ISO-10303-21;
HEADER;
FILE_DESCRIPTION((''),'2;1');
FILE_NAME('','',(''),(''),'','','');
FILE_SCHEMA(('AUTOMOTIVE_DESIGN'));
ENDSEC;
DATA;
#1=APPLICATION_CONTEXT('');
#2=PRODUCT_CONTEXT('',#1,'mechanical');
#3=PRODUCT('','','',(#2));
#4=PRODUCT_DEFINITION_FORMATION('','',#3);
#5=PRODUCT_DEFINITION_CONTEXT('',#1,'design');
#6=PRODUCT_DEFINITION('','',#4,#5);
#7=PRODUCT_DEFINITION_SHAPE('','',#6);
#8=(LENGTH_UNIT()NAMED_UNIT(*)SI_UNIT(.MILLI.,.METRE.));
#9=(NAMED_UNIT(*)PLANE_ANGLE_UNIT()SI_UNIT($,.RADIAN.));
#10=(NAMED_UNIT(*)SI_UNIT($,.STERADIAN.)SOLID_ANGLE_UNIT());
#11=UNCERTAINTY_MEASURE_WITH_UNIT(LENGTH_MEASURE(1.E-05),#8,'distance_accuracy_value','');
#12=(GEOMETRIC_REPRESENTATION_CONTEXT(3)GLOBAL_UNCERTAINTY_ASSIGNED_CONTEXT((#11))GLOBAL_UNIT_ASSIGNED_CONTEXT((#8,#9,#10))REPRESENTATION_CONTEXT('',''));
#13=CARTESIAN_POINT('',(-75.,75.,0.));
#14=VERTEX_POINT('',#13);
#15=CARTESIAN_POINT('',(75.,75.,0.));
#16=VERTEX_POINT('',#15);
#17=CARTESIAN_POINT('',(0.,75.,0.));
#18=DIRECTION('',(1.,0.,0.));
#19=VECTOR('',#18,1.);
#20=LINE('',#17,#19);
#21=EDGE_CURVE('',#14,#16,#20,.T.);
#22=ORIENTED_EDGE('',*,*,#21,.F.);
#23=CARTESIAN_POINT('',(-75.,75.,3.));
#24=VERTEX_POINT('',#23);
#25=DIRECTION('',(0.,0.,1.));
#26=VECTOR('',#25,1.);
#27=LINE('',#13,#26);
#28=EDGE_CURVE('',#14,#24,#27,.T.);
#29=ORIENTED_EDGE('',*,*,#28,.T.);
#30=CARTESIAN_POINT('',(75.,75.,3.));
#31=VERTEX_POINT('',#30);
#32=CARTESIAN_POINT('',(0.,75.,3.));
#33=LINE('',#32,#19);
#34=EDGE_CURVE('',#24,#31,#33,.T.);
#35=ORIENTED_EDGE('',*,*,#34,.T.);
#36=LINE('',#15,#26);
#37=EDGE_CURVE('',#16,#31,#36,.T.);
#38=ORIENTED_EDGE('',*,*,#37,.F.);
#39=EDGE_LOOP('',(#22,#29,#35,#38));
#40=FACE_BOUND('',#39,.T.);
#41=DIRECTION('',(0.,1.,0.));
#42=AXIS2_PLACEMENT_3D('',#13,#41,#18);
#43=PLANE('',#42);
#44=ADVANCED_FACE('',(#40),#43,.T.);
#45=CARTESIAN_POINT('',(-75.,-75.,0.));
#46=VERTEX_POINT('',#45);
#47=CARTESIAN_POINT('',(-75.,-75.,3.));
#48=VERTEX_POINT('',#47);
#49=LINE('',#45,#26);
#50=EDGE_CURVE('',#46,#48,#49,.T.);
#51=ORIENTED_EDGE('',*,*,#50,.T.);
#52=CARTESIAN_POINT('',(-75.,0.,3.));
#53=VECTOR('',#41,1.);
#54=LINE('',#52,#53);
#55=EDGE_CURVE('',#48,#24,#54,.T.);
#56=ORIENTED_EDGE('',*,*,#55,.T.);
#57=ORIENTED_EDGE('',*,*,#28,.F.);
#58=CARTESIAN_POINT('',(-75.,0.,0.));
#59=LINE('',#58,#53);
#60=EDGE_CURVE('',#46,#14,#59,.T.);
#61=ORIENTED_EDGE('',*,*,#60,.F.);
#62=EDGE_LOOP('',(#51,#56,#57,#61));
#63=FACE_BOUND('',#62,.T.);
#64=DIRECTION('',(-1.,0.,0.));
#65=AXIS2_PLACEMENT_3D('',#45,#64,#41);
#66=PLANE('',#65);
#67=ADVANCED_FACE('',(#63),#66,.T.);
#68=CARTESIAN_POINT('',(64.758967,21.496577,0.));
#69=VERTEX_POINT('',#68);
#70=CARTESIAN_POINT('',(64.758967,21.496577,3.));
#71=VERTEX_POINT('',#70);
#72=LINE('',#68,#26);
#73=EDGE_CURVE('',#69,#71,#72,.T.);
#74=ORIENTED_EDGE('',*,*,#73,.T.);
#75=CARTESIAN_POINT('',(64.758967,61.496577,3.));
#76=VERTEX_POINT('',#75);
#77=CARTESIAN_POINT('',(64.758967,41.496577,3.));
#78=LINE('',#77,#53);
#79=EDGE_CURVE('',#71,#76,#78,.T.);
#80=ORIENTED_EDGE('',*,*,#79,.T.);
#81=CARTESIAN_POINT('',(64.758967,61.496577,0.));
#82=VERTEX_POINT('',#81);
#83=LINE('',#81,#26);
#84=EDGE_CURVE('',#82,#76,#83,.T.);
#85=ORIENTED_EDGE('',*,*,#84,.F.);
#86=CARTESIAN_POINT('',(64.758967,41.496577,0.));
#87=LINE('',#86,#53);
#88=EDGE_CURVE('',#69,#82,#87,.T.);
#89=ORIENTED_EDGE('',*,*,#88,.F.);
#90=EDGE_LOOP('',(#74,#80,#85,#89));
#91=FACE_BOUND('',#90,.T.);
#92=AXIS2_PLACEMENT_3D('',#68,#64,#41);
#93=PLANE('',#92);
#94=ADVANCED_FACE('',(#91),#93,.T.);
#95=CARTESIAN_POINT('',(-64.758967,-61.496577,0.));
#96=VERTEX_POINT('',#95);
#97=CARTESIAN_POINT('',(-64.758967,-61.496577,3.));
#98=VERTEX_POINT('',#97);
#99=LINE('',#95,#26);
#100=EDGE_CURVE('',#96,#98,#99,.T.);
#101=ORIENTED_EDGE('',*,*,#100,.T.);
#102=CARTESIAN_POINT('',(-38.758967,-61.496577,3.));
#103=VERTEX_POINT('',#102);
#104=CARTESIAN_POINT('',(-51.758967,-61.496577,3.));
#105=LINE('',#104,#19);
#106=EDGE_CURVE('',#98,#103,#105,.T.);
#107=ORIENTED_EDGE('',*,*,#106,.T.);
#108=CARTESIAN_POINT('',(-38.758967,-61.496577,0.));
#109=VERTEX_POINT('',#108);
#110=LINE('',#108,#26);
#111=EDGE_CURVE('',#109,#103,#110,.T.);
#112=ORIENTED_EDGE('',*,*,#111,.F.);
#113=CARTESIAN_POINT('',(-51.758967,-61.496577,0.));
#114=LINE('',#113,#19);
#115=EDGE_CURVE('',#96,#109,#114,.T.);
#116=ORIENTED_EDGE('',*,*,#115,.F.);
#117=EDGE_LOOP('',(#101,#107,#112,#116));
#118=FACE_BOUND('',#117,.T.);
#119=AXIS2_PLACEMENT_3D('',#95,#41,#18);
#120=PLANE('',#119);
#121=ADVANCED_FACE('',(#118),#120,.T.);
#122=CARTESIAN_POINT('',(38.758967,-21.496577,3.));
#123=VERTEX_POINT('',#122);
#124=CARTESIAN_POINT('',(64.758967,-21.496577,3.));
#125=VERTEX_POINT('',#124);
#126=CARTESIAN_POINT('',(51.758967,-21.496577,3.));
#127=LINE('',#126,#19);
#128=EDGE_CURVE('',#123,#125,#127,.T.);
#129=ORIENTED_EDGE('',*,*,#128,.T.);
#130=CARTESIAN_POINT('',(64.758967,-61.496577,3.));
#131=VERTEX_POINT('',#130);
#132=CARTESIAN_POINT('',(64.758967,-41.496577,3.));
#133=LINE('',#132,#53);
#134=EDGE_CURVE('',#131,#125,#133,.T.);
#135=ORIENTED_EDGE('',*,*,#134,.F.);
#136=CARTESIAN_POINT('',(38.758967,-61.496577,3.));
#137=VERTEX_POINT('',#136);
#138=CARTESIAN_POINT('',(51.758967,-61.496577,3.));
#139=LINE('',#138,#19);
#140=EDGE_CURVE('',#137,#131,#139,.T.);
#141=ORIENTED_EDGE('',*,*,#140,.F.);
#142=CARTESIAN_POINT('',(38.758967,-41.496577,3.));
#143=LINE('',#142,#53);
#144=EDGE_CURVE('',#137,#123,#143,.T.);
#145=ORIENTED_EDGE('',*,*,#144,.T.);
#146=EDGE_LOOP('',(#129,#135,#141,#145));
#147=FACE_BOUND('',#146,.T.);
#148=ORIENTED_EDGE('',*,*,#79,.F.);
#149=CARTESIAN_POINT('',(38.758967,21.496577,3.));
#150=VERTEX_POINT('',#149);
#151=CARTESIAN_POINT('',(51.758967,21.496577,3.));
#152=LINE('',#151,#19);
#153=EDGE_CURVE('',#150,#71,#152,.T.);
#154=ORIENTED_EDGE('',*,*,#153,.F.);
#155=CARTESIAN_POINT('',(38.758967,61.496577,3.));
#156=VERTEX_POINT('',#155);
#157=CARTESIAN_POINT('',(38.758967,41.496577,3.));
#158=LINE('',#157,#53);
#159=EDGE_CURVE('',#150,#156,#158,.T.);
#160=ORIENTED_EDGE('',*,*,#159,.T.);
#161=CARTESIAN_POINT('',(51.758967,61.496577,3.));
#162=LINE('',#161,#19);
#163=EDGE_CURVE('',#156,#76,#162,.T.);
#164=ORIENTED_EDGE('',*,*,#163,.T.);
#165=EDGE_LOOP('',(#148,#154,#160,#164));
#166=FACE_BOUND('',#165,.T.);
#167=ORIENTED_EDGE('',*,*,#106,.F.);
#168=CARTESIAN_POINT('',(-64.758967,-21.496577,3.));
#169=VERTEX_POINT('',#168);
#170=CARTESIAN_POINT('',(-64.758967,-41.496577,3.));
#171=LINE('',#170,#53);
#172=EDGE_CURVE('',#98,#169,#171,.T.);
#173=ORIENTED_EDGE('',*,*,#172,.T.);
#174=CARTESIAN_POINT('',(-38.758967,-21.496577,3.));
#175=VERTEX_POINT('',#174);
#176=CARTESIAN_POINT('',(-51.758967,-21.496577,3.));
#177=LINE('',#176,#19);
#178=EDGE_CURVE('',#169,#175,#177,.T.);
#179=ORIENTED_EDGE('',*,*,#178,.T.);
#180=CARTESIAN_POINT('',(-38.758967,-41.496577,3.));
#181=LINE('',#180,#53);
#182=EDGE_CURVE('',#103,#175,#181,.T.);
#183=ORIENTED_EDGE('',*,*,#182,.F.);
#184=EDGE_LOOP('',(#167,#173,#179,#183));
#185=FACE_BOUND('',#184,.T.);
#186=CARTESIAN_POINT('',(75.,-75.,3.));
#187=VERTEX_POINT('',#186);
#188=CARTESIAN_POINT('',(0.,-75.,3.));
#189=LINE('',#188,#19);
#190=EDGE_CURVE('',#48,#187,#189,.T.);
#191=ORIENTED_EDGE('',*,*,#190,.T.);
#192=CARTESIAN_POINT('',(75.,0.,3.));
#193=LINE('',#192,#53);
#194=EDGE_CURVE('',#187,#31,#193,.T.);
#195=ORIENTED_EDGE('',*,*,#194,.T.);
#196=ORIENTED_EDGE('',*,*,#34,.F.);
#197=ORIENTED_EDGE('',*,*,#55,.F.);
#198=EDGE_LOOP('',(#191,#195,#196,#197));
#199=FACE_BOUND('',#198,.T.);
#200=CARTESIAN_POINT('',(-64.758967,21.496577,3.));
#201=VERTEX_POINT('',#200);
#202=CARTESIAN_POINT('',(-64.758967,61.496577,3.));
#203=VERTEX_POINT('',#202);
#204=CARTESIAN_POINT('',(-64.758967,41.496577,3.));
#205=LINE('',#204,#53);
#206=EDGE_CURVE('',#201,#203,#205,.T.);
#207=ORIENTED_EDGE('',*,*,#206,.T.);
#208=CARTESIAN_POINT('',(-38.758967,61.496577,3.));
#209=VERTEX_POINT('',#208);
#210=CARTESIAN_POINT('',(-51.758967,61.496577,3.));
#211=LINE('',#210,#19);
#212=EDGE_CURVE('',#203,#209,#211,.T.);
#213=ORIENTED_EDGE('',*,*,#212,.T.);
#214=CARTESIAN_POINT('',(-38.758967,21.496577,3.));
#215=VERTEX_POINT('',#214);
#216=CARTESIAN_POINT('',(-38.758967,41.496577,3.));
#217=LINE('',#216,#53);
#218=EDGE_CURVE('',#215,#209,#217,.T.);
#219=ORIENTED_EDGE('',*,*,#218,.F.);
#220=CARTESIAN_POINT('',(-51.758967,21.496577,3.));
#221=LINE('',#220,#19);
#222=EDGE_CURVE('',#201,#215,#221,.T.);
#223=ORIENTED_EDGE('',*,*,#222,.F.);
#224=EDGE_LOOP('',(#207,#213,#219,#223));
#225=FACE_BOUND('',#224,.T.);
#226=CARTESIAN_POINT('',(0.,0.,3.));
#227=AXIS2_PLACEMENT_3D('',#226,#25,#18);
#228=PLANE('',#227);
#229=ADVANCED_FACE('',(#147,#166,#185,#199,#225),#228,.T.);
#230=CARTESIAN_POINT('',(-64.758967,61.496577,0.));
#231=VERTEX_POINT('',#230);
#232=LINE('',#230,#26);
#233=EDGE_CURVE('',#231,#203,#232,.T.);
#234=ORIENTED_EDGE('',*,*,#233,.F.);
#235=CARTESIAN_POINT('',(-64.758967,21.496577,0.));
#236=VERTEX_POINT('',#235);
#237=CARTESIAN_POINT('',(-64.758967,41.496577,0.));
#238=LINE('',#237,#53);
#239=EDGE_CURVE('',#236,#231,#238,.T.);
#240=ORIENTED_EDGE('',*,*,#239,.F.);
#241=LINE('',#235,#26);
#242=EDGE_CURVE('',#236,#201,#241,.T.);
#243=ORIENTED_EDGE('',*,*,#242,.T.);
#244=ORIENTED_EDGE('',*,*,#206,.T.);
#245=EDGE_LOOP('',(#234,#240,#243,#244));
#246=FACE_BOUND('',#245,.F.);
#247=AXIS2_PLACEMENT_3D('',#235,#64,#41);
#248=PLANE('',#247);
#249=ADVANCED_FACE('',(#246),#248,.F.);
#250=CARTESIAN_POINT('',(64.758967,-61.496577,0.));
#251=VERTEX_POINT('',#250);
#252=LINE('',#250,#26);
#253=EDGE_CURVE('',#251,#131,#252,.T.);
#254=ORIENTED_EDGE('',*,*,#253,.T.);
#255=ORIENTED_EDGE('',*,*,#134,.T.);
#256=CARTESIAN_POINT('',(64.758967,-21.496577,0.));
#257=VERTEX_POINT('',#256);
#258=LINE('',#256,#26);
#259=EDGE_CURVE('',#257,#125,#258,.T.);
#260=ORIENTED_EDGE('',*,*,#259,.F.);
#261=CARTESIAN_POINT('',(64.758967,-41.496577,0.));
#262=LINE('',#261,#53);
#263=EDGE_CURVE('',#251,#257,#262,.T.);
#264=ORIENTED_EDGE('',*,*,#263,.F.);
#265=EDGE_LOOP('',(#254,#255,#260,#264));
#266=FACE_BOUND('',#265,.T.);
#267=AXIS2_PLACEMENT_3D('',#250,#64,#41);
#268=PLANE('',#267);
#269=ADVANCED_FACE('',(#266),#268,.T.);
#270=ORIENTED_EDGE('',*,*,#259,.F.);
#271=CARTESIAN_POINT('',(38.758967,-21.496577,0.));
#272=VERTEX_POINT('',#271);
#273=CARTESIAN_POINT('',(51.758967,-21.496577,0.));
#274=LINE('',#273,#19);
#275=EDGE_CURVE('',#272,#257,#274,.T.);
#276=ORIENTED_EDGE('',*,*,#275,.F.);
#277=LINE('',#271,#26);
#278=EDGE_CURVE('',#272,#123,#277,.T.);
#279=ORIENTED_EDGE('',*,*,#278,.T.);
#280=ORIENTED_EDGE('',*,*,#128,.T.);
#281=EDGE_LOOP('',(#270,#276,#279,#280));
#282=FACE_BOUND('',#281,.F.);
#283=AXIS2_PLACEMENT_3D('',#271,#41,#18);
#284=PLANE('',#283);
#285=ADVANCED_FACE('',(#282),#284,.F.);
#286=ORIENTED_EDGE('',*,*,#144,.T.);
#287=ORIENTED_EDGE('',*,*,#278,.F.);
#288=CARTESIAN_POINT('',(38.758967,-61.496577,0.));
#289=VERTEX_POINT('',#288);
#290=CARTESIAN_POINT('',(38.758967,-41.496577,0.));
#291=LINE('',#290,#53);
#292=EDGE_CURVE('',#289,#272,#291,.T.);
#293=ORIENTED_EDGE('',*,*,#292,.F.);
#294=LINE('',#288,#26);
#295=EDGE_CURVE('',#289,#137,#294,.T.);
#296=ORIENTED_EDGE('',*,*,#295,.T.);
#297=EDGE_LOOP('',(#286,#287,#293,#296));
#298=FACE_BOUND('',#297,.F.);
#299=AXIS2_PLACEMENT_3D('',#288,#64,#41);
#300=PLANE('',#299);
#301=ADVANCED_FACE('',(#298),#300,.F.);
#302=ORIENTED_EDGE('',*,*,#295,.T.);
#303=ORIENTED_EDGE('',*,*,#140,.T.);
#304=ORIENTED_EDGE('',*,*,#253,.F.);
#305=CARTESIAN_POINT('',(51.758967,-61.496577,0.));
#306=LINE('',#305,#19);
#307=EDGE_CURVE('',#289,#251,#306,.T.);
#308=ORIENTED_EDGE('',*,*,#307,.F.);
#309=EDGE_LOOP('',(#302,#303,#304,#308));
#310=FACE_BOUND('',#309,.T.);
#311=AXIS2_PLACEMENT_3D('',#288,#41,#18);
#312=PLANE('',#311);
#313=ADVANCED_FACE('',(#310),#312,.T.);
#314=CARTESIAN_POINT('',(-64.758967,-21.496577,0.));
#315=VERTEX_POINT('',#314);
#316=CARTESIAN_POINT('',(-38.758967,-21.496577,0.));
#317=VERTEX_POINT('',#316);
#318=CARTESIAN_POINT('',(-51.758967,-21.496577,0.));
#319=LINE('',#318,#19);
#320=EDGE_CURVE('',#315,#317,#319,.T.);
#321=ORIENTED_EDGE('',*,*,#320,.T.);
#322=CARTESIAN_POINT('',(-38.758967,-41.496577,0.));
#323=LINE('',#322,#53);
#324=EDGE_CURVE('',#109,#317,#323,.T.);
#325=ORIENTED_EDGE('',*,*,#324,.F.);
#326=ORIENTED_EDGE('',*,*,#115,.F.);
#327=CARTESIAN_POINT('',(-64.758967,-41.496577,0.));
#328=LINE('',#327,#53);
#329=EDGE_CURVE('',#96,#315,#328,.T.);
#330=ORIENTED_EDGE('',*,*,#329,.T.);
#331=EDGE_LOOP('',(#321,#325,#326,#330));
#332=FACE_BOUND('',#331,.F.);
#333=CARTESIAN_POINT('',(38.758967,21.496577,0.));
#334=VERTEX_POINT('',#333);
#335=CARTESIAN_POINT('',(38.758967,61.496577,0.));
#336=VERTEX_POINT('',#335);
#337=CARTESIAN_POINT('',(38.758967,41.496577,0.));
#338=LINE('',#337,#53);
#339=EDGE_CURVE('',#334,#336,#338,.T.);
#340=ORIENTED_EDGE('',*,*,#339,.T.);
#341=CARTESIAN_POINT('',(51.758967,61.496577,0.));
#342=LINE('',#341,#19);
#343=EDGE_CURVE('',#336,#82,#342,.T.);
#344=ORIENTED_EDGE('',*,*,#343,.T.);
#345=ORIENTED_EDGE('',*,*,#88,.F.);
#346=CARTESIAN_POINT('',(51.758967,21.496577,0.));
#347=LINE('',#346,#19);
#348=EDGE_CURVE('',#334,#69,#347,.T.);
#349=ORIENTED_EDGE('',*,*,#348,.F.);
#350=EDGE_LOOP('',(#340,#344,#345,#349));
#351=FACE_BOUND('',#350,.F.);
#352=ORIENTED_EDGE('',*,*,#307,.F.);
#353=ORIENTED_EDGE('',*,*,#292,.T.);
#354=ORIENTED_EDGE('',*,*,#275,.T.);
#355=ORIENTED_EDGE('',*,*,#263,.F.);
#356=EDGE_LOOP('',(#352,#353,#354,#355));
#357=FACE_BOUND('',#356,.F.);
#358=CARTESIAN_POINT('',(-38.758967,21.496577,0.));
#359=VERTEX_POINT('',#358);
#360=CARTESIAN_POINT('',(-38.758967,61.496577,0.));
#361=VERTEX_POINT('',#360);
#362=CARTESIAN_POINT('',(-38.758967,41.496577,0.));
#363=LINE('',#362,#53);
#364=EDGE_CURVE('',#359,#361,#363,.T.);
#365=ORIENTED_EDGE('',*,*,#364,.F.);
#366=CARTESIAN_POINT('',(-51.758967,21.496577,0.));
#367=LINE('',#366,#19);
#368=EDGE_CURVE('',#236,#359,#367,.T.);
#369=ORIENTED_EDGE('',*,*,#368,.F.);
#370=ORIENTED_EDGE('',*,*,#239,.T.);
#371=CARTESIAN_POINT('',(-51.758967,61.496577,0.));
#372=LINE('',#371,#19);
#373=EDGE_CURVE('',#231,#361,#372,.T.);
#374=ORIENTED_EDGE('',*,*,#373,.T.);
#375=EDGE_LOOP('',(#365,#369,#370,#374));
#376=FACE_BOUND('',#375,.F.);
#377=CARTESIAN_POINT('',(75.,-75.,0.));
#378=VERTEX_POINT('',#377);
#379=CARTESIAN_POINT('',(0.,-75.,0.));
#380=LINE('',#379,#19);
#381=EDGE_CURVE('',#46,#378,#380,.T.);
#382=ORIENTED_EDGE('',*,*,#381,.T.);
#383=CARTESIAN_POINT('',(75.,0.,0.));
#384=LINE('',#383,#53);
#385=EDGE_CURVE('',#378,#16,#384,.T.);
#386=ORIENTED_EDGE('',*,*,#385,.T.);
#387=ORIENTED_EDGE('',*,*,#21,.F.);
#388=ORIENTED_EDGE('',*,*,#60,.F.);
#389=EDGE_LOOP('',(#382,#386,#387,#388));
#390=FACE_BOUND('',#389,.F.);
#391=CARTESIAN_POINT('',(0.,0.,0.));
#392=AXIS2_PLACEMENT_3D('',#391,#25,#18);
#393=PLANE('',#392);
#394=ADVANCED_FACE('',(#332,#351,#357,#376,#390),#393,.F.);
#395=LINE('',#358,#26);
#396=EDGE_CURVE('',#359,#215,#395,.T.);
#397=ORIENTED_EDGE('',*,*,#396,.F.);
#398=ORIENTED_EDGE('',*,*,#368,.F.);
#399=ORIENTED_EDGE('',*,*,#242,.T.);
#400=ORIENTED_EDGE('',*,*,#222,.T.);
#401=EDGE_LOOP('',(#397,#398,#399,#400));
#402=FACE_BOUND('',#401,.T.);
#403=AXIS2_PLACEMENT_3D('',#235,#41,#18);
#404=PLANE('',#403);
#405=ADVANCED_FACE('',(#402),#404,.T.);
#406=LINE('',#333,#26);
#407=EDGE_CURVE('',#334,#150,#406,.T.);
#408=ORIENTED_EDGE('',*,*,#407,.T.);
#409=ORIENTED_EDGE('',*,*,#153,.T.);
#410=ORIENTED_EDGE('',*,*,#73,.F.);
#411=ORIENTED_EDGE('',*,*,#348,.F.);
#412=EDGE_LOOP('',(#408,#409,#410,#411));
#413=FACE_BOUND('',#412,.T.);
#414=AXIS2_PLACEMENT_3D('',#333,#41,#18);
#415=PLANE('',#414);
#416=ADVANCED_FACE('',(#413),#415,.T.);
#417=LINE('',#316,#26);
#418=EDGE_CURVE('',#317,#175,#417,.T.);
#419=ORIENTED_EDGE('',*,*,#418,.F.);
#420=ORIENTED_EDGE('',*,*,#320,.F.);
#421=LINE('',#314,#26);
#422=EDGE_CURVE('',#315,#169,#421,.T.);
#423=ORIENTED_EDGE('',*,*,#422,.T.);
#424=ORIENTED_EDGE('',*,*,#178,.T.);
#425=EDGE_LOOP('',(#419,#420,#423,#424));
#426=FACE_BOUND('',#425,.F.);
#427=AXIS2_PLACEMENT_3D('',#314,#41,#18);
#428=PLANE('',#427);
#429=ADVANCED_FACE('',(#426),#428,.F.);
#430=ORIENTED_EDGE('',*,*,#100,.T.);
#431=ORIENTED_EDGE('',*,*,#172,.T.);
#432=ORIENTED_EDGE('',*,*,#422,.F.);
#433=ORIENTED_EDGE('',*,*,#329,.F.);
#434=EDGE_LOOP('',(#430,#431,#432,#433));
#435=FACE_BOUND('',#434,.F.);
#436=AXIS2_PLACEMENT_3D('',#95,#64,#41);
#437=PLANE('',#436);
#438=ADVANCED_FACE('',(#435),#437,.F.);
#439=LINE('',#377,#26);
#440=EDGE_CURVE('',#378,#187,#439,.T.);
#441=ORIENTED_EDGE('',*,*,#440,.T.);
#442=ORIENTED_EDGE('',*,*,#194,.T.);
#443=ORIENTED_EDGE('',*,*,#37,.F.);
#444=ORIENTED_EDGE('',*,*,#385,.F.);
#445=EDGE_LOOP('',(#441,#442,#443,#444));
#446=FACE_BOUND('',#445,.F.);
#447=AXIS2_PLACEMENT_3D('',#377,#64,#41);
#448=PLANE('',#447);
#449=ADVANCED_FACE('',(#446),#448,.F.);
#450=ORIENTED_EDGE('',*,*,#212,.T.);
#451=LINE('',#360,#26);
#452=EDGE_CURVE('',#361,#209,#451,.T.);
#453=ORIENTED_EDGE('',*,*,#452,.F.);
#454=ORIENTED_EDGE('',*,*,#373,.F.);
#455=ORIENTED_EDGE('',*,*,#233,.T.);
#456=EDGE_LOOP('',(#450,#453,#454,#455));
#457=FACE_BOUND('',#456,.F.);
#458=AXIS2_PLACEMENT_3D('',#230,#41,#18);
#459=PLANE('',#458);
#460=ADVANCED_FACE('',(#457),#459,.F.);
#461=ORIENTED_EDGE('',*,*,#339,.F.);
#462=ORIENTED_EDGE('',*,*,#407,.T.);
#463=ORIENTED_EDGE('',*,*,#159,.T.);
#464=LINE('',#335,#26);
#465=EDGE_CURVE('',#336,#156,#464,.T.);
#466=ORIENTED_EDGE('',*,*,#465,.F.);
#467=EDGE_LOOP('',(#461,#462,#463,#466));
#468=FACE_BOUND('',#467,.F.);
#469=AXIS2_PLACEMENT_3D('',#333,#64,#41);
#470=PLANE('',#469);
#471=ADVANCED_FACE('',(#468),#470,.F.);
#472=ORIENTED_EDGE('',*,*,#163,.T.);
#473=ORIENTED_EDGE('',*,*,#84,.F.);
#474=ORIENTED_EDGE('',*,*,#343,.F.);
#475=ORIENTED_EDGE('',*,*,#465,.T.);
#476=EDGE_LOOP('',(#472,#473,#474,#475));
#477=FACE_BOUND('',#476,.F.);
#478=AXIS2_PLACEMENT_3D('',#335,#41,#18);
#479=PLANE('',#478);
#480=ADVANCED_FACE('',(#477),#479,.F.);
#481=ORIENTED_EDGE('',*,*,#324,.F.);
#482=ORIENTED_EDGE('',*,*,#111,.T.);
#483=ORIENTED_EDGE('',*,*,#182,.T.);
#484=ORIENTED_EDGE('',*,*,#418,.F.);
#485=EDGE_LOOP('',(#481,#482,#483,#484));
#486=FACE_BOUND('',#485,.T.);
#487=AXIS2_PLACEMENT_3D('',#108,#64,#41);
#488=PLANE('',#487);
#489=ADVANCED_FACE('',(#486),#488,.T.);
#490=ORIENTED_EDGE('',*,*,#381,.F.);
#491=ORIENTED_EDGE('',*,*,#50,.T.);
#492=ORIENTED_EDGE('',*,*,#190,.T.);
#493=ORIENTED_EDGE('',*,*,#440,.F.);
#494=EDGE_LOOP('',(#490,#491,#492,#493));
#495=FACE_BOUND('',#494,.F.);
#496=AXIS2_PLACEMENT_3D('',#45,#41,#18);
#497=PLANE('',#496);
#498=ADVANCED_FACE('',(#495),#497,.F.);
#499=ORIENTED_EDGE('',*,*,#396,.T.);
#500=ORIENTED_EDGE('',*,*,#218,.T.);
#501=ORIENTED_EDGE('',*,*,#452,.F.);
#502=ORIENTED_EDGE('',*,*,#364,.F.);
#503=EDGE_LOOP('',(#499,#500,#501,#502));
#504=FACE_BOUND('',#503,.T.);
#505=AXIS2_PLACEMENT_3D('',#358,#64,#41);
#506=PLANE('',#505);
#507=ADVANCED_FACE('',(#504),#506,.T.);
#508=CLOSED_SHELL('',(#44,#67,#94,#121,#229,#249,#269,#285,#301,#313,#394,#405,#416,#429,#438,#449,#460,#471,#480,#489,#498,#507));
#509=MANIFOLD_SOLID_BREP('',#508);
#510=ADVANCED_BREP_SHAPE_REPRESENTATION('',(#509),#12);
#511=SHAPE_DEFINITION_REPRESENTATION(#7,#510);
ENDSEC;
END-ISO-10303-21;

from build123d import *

# Parameters (mm, degrees)
F0_W     = 150
F0_H     = 150
F0_W_2   = 144
F0_H_2   = 144
F0_W_3   = 26
F0_H_3   = 40
F1_DEPTH = 3


with BuildPart() as f1:
    # F0 (on Top) → F1 (new body)
    with BuildSketch(Plane.XY):
        Rectangle(F0_W, F0_H)
        Rectangle(F0_W_2, F0_H_2, mode=Mode.SUBTRACT)
        Rectangle(F0_W_2, F0_H_2)
        with Locations((-51.7589670179, -41.4965771884)):
            Rectangle(F0_W_3, F0_H_3, mode=Mode.SUBTRACT)
        with Locations((51.7589670179, -41.4965771884)):
            Rectangle(F0_W_3, F0_H_3, mode=Mode.SUBTRACT)
        with Locations((-51.7589670179, 41.4965771884)):
            Rectangle(F0_W_3, F0_H_3, mode=Mode.SUBTRACT)
        with Locations((51.7589670179, 41.4965771884)):
            Rectangle(F0_W_3, F0_H_3, mode=Mode.SUBTRACT)
    extrude(amount=F1_DEPTH)


solid = f1.part
